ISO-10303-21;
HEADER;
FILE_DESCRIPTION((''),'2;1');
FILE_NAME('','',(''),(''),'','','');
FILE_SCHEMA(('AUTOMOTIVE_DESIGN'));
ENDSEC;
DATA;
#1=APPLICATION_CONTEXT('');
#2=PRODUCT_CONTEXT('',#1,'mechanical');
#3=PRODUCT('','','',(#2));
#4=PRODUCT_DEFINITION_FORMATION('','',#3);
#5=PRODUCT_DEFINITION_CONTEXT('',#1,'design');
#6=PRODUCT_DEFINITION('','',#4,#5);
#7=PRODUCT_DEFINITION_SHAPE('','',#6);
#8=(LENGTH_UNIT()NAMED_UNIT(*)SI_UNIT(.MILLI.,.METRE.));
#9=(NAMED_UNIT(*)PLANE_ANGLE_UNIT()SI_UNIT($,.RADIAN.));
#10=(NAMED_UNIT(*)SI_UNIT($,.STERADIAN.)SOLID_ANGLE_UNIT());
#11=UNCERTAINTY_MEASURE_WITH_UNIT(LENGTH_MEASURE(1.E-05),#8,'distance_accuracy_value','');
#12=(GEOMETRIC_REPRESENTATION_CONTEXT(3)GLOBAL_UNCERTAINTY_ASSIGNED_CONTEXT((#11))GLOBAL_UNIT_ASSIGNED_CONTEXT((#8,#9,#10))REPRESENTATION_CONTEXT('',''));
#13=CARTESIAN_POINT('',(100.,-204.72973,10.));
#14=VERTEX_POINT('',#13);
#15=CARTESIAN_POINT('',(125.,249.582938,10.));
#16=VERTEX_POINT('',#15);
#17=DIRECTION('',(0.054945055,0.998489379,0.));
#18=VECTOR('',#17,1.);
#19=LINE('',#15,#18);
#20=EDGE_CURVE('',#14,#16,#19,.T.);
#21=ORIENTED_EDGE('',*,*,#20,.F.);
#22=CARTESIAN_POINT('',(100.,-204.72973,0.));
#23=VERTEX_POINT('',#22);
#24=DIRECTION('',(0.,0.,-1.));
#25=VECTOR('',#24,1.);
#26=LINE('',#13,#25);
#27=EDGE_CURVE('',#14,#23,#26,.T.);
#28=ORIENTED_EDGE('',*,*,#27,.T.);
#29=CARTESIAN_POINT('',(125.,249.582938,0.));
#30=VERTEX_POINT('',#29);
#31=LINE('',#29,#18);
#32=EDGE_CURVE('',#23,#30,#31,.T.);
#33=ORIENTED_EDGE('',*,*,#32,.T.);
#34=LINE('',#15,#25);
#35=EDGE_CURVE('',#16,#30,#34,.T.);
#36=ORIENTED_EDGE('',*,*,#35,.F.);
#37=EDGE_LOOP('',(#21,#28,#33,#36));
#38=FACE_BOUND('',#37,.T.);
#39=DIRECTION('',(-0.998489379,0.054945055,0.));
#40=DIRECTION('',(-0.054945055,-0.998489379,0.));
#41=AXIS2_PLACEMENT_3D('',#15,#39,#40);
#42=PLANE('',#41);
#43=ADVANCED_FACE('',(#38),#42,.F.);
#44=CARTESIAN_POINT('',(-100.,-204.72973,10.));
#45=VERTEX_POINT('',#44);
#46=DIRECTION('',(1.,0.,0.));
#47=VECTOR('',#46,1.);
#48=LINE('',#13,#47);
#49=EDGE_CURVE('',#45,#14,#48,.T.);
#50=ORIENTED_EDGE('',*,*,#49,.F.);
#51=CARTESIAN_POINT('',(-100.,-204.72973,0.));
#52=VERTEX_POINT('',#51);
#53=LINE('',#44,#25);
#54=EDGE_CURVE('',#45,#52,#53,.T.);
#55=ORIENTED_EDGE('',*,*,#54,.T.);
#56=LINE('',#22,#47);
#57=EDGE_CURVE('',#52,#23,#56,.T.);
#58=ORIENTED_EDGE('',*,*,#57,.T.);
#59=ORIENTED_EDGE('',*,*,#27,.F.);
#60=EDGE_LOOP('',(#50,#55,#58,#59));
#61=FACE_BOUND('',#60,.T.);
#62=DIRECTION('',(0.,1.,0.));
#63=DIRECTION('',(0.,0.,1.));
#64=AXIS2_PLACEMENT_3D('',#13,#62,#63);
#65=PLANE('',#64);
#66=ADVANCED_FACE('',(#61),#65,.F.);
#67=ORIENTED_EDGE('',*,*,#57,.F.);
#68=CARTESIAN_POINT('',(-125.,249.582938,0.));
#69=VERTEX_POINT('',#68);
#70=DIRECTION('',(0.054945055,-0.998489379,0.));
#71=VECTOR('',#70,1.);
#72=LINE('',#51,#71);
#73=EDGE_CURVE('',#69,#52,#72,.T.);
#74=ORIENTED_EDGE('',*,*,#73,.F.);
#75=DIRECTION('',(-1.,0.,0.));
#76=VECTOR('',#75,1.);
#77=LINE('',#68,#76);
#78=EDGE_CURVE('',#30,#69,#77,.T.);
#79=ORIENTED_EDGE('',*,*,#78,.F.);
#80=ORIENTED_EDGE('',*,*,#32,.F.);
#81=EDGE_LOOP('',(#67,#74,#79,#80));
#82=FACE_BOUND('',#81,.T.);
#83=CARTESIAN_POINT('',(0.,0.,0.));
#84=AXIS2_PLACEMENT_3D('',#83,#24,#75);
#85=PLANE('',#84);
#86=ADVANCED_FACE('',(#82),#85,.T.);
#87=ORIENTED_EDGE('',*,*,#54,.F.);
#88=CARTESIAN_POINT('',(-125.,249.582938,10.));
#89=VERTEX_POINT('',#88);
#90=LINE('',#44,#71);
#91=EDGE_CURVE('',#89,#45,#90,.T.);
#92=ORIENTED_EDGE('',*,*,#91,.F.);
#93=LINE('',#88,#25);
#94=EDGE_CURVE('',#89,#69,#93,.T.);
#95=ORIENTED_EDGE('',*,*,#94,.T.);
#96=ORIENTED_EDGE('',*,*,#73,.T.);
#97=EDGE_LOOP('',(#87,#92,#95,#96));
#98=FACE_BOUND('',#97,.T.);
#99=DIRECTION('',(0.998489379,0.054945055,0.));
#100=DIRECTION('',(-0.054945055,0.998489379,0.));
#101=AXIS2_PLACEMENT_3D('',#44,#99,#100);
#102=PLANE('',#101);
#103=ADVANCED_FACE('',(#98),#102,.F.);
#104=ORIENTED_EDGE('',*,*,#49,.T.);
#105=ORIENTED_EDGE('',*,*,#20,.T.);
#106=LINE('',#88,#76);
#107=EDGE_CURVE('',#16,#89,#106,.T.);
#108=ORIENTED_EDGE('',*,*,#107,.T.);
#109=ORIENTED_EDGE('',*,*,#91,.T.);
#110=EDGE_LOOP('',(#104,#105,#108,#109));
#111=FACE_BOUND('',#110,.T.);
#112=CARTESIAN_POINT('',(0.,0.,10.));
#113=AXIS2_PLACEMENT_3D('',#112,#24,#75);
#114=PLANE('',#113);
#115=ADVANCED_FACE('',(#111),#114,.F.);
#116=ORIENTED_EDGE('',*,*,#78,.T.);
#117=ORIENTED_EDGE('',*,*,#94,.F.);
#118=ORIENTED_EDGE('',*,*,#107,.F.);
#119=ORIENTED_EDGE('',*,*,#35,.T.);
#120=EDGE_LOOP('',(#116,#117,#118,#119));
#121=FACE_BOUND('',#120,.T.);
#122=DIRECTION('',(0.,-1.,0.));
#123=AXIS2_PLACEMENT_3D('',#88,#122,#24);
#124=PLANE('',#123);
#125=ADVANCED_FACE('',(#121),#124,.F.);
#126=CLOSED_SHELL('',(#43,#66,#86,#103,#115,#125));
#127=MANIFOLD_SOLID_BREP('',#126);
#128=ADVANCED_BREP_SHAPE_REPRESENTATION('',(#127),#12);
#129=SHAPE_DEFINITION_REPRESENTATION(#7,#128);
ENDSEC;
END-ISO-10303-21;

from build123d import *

# Parameters (mm, degrees)
DODANIE_WYCI_GNI_CIE1_DEPTH = 10


with BuildPart() as part:
    # Szkic1 → Dodanie-wyciągnięcie1 (new body)
    with BuildSketch(Plane.XY):
        Polygon((-125, 249.582937934), (125, 249.582937934), (100, -204.72972973), (-100, -204.72972973), align=None)
    extrude(amount=DODANIE_WYCI_GNI_CIE1_DEPTH)


solid = part.part
